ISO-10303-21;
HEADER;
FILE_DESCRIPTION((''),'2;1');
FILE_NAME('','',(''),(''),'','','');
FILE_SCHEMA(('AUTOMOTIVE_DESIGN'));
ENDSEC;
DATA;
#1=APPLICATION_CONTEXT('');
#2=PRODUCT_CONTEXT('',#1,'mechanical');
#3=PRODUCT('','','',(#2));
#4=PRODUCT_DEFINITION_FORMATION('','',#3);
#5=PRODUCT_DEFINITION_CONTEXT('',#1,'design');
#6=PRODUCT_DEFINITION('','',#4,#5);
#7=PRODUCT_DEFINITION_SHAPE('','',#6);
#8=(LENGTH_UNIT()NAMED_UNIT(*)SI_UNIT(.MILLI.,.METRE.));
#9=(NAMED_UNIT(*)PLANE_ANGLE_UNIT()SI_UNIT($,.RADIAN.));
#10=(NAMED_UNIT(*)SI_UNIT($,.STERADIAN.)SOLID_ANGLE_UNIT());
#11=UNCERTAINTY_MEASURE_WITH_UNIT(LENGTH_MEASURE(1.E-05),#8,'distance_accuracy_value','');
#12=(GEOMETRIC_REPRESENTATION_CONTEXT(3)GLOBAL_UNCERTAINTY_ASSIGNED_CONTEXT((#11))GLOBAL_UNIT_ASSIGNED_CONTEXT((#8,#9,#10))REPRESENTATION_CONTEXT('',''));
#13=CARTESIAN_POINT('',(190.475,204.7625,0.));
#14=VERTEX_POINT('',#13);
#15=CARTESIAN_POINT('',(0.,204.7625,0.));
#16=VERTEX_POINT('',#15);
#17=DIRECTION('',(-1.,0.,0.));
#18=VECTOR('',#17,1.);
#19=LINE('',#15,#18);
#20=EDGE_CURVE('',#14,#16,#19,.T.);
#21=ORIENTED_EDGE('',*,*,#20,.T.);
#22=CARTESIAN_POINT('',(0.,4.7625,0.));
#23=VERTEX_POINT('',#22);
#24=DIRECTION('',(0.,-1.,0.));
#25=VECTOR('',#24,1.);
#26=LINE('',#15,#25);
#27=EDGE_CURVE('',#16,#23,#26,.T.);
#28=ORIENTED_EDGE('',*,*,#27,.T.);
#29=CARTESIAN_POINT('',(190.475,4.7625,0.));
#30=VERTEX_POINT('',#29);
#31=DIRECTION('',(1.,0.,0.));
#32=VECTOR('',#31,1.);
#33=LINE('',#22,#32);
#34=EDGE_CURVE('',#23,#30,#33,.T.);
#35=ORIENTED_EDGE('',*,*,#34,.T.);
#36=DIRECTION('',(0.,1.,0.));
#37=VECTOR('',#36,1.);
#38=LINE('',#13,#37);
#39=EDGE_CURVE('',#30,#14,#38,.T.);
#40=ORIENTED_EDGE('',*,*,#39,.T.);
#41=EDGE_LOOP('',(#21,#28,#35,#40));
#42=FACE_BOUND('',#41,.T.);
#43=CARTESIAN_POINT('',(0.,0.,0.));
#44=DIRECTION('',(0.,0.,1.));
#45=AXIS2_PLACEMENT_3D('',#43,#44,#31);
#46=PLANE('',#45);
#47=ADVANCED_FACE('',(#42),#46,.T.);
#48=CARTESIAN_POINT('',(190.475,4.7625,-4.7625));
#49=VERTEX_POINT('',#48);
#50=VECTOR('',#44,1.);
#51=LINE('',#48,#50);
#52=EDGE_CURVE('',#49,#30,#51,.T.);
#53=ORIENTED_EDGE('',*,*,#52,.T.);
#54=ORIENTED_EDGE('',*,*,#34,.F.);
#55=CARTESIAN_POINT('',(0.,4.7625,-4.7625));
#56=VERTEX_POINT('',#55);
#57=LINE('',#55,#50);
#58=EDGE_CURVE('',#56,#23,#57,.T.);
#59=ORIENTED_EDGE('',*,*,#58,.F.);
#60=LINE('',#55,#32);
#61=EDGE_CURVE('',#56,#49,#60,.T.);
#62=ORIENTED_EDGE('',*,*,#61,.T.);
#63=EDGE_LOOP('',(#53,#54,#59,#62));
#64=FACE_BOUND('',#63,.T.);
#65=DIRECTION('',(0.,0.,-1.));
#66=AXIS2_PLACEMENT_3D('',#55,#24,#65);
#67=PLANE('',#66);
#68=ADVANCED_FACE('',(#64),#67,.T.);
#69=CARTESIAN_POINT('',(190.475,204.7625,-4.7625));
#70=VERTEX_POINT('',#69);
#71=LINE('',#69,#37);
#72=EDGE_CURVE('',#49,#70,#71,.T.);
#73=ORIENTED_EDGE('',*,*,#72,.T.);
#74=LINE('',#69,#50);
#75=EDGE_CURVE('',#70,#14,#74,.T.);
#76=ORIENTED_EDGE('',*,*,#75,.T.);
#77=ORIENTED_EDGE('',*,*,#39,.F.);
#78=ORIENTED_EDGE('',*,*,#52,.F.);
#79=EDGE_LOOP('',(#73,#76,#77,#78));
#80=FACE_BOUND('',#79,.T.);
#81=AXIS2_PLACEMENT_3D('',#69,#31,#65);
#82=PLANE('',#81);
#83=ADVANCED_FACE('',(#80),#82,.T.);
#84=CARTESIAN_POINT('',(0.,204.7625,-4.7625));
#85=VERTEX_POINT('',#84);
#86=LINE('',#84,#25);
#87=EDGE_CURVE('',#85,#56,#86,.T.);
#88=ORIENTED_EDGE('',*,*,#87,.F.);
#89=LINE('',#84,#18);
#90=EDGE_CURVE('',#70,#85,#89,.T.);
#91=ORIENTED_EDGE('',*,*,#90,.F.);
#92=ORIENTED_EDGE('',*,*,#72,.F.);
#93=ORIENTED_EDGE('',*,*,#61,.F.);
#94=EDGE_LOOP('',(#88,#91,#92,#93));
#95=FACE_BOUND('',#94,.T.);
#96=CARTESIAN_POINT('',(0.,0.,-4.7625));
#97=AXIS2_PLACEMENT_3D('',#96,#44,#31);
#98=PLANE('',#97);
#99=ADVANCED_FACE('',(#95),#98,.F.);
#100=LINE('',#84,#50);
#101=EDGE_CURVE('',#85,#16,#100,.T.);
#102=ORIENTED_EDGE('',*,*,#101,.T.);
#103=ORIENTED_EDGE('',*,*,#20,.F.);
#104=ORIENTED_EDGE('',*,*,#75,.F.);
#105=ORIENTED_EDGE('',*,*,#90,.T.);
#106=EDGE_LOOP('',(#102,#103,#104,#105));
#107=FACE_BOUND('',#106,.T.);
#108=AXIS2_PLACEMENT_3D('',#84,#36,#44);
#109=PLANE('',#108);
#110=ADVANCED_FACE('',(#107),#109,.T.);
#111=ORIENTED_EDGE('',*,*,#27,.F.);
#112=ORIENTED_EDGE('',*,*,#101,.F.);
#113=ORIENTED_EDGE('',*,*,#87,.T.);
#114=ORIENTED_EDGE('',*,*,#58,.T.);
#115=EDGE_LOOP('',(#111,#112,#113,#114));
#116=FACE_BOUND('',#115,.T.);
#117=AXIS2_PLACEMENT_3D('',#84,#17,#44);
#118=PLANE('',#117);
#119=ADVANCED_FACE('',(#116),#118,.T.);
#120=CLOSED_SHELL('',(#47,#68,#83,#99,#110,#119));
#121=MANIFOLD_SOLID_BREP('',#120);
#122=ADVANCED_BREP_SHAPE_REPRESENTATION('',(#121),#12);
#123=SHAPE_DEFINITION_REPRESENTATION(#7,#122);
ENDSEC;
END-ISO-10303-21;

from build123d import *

# Parameters (mm, degrees)
SKETCH1_W           = 190.475
SKETCH1_H           = 200
BOSS_EXTRUDE1_DEPTH = 4.7625


with BuildPart() as part:
    # Sketch1 → Boss-Extrude1 (new body)
    with BuildSketch(Plane.XY):
        with Locations((95.2375, 104.7625)):
            Rectangle(SKETCH1_W, SKETCH1_H)
    extrude(amount=-BOSS_EXTRUDE1_DEPTH)


solid = part.part
